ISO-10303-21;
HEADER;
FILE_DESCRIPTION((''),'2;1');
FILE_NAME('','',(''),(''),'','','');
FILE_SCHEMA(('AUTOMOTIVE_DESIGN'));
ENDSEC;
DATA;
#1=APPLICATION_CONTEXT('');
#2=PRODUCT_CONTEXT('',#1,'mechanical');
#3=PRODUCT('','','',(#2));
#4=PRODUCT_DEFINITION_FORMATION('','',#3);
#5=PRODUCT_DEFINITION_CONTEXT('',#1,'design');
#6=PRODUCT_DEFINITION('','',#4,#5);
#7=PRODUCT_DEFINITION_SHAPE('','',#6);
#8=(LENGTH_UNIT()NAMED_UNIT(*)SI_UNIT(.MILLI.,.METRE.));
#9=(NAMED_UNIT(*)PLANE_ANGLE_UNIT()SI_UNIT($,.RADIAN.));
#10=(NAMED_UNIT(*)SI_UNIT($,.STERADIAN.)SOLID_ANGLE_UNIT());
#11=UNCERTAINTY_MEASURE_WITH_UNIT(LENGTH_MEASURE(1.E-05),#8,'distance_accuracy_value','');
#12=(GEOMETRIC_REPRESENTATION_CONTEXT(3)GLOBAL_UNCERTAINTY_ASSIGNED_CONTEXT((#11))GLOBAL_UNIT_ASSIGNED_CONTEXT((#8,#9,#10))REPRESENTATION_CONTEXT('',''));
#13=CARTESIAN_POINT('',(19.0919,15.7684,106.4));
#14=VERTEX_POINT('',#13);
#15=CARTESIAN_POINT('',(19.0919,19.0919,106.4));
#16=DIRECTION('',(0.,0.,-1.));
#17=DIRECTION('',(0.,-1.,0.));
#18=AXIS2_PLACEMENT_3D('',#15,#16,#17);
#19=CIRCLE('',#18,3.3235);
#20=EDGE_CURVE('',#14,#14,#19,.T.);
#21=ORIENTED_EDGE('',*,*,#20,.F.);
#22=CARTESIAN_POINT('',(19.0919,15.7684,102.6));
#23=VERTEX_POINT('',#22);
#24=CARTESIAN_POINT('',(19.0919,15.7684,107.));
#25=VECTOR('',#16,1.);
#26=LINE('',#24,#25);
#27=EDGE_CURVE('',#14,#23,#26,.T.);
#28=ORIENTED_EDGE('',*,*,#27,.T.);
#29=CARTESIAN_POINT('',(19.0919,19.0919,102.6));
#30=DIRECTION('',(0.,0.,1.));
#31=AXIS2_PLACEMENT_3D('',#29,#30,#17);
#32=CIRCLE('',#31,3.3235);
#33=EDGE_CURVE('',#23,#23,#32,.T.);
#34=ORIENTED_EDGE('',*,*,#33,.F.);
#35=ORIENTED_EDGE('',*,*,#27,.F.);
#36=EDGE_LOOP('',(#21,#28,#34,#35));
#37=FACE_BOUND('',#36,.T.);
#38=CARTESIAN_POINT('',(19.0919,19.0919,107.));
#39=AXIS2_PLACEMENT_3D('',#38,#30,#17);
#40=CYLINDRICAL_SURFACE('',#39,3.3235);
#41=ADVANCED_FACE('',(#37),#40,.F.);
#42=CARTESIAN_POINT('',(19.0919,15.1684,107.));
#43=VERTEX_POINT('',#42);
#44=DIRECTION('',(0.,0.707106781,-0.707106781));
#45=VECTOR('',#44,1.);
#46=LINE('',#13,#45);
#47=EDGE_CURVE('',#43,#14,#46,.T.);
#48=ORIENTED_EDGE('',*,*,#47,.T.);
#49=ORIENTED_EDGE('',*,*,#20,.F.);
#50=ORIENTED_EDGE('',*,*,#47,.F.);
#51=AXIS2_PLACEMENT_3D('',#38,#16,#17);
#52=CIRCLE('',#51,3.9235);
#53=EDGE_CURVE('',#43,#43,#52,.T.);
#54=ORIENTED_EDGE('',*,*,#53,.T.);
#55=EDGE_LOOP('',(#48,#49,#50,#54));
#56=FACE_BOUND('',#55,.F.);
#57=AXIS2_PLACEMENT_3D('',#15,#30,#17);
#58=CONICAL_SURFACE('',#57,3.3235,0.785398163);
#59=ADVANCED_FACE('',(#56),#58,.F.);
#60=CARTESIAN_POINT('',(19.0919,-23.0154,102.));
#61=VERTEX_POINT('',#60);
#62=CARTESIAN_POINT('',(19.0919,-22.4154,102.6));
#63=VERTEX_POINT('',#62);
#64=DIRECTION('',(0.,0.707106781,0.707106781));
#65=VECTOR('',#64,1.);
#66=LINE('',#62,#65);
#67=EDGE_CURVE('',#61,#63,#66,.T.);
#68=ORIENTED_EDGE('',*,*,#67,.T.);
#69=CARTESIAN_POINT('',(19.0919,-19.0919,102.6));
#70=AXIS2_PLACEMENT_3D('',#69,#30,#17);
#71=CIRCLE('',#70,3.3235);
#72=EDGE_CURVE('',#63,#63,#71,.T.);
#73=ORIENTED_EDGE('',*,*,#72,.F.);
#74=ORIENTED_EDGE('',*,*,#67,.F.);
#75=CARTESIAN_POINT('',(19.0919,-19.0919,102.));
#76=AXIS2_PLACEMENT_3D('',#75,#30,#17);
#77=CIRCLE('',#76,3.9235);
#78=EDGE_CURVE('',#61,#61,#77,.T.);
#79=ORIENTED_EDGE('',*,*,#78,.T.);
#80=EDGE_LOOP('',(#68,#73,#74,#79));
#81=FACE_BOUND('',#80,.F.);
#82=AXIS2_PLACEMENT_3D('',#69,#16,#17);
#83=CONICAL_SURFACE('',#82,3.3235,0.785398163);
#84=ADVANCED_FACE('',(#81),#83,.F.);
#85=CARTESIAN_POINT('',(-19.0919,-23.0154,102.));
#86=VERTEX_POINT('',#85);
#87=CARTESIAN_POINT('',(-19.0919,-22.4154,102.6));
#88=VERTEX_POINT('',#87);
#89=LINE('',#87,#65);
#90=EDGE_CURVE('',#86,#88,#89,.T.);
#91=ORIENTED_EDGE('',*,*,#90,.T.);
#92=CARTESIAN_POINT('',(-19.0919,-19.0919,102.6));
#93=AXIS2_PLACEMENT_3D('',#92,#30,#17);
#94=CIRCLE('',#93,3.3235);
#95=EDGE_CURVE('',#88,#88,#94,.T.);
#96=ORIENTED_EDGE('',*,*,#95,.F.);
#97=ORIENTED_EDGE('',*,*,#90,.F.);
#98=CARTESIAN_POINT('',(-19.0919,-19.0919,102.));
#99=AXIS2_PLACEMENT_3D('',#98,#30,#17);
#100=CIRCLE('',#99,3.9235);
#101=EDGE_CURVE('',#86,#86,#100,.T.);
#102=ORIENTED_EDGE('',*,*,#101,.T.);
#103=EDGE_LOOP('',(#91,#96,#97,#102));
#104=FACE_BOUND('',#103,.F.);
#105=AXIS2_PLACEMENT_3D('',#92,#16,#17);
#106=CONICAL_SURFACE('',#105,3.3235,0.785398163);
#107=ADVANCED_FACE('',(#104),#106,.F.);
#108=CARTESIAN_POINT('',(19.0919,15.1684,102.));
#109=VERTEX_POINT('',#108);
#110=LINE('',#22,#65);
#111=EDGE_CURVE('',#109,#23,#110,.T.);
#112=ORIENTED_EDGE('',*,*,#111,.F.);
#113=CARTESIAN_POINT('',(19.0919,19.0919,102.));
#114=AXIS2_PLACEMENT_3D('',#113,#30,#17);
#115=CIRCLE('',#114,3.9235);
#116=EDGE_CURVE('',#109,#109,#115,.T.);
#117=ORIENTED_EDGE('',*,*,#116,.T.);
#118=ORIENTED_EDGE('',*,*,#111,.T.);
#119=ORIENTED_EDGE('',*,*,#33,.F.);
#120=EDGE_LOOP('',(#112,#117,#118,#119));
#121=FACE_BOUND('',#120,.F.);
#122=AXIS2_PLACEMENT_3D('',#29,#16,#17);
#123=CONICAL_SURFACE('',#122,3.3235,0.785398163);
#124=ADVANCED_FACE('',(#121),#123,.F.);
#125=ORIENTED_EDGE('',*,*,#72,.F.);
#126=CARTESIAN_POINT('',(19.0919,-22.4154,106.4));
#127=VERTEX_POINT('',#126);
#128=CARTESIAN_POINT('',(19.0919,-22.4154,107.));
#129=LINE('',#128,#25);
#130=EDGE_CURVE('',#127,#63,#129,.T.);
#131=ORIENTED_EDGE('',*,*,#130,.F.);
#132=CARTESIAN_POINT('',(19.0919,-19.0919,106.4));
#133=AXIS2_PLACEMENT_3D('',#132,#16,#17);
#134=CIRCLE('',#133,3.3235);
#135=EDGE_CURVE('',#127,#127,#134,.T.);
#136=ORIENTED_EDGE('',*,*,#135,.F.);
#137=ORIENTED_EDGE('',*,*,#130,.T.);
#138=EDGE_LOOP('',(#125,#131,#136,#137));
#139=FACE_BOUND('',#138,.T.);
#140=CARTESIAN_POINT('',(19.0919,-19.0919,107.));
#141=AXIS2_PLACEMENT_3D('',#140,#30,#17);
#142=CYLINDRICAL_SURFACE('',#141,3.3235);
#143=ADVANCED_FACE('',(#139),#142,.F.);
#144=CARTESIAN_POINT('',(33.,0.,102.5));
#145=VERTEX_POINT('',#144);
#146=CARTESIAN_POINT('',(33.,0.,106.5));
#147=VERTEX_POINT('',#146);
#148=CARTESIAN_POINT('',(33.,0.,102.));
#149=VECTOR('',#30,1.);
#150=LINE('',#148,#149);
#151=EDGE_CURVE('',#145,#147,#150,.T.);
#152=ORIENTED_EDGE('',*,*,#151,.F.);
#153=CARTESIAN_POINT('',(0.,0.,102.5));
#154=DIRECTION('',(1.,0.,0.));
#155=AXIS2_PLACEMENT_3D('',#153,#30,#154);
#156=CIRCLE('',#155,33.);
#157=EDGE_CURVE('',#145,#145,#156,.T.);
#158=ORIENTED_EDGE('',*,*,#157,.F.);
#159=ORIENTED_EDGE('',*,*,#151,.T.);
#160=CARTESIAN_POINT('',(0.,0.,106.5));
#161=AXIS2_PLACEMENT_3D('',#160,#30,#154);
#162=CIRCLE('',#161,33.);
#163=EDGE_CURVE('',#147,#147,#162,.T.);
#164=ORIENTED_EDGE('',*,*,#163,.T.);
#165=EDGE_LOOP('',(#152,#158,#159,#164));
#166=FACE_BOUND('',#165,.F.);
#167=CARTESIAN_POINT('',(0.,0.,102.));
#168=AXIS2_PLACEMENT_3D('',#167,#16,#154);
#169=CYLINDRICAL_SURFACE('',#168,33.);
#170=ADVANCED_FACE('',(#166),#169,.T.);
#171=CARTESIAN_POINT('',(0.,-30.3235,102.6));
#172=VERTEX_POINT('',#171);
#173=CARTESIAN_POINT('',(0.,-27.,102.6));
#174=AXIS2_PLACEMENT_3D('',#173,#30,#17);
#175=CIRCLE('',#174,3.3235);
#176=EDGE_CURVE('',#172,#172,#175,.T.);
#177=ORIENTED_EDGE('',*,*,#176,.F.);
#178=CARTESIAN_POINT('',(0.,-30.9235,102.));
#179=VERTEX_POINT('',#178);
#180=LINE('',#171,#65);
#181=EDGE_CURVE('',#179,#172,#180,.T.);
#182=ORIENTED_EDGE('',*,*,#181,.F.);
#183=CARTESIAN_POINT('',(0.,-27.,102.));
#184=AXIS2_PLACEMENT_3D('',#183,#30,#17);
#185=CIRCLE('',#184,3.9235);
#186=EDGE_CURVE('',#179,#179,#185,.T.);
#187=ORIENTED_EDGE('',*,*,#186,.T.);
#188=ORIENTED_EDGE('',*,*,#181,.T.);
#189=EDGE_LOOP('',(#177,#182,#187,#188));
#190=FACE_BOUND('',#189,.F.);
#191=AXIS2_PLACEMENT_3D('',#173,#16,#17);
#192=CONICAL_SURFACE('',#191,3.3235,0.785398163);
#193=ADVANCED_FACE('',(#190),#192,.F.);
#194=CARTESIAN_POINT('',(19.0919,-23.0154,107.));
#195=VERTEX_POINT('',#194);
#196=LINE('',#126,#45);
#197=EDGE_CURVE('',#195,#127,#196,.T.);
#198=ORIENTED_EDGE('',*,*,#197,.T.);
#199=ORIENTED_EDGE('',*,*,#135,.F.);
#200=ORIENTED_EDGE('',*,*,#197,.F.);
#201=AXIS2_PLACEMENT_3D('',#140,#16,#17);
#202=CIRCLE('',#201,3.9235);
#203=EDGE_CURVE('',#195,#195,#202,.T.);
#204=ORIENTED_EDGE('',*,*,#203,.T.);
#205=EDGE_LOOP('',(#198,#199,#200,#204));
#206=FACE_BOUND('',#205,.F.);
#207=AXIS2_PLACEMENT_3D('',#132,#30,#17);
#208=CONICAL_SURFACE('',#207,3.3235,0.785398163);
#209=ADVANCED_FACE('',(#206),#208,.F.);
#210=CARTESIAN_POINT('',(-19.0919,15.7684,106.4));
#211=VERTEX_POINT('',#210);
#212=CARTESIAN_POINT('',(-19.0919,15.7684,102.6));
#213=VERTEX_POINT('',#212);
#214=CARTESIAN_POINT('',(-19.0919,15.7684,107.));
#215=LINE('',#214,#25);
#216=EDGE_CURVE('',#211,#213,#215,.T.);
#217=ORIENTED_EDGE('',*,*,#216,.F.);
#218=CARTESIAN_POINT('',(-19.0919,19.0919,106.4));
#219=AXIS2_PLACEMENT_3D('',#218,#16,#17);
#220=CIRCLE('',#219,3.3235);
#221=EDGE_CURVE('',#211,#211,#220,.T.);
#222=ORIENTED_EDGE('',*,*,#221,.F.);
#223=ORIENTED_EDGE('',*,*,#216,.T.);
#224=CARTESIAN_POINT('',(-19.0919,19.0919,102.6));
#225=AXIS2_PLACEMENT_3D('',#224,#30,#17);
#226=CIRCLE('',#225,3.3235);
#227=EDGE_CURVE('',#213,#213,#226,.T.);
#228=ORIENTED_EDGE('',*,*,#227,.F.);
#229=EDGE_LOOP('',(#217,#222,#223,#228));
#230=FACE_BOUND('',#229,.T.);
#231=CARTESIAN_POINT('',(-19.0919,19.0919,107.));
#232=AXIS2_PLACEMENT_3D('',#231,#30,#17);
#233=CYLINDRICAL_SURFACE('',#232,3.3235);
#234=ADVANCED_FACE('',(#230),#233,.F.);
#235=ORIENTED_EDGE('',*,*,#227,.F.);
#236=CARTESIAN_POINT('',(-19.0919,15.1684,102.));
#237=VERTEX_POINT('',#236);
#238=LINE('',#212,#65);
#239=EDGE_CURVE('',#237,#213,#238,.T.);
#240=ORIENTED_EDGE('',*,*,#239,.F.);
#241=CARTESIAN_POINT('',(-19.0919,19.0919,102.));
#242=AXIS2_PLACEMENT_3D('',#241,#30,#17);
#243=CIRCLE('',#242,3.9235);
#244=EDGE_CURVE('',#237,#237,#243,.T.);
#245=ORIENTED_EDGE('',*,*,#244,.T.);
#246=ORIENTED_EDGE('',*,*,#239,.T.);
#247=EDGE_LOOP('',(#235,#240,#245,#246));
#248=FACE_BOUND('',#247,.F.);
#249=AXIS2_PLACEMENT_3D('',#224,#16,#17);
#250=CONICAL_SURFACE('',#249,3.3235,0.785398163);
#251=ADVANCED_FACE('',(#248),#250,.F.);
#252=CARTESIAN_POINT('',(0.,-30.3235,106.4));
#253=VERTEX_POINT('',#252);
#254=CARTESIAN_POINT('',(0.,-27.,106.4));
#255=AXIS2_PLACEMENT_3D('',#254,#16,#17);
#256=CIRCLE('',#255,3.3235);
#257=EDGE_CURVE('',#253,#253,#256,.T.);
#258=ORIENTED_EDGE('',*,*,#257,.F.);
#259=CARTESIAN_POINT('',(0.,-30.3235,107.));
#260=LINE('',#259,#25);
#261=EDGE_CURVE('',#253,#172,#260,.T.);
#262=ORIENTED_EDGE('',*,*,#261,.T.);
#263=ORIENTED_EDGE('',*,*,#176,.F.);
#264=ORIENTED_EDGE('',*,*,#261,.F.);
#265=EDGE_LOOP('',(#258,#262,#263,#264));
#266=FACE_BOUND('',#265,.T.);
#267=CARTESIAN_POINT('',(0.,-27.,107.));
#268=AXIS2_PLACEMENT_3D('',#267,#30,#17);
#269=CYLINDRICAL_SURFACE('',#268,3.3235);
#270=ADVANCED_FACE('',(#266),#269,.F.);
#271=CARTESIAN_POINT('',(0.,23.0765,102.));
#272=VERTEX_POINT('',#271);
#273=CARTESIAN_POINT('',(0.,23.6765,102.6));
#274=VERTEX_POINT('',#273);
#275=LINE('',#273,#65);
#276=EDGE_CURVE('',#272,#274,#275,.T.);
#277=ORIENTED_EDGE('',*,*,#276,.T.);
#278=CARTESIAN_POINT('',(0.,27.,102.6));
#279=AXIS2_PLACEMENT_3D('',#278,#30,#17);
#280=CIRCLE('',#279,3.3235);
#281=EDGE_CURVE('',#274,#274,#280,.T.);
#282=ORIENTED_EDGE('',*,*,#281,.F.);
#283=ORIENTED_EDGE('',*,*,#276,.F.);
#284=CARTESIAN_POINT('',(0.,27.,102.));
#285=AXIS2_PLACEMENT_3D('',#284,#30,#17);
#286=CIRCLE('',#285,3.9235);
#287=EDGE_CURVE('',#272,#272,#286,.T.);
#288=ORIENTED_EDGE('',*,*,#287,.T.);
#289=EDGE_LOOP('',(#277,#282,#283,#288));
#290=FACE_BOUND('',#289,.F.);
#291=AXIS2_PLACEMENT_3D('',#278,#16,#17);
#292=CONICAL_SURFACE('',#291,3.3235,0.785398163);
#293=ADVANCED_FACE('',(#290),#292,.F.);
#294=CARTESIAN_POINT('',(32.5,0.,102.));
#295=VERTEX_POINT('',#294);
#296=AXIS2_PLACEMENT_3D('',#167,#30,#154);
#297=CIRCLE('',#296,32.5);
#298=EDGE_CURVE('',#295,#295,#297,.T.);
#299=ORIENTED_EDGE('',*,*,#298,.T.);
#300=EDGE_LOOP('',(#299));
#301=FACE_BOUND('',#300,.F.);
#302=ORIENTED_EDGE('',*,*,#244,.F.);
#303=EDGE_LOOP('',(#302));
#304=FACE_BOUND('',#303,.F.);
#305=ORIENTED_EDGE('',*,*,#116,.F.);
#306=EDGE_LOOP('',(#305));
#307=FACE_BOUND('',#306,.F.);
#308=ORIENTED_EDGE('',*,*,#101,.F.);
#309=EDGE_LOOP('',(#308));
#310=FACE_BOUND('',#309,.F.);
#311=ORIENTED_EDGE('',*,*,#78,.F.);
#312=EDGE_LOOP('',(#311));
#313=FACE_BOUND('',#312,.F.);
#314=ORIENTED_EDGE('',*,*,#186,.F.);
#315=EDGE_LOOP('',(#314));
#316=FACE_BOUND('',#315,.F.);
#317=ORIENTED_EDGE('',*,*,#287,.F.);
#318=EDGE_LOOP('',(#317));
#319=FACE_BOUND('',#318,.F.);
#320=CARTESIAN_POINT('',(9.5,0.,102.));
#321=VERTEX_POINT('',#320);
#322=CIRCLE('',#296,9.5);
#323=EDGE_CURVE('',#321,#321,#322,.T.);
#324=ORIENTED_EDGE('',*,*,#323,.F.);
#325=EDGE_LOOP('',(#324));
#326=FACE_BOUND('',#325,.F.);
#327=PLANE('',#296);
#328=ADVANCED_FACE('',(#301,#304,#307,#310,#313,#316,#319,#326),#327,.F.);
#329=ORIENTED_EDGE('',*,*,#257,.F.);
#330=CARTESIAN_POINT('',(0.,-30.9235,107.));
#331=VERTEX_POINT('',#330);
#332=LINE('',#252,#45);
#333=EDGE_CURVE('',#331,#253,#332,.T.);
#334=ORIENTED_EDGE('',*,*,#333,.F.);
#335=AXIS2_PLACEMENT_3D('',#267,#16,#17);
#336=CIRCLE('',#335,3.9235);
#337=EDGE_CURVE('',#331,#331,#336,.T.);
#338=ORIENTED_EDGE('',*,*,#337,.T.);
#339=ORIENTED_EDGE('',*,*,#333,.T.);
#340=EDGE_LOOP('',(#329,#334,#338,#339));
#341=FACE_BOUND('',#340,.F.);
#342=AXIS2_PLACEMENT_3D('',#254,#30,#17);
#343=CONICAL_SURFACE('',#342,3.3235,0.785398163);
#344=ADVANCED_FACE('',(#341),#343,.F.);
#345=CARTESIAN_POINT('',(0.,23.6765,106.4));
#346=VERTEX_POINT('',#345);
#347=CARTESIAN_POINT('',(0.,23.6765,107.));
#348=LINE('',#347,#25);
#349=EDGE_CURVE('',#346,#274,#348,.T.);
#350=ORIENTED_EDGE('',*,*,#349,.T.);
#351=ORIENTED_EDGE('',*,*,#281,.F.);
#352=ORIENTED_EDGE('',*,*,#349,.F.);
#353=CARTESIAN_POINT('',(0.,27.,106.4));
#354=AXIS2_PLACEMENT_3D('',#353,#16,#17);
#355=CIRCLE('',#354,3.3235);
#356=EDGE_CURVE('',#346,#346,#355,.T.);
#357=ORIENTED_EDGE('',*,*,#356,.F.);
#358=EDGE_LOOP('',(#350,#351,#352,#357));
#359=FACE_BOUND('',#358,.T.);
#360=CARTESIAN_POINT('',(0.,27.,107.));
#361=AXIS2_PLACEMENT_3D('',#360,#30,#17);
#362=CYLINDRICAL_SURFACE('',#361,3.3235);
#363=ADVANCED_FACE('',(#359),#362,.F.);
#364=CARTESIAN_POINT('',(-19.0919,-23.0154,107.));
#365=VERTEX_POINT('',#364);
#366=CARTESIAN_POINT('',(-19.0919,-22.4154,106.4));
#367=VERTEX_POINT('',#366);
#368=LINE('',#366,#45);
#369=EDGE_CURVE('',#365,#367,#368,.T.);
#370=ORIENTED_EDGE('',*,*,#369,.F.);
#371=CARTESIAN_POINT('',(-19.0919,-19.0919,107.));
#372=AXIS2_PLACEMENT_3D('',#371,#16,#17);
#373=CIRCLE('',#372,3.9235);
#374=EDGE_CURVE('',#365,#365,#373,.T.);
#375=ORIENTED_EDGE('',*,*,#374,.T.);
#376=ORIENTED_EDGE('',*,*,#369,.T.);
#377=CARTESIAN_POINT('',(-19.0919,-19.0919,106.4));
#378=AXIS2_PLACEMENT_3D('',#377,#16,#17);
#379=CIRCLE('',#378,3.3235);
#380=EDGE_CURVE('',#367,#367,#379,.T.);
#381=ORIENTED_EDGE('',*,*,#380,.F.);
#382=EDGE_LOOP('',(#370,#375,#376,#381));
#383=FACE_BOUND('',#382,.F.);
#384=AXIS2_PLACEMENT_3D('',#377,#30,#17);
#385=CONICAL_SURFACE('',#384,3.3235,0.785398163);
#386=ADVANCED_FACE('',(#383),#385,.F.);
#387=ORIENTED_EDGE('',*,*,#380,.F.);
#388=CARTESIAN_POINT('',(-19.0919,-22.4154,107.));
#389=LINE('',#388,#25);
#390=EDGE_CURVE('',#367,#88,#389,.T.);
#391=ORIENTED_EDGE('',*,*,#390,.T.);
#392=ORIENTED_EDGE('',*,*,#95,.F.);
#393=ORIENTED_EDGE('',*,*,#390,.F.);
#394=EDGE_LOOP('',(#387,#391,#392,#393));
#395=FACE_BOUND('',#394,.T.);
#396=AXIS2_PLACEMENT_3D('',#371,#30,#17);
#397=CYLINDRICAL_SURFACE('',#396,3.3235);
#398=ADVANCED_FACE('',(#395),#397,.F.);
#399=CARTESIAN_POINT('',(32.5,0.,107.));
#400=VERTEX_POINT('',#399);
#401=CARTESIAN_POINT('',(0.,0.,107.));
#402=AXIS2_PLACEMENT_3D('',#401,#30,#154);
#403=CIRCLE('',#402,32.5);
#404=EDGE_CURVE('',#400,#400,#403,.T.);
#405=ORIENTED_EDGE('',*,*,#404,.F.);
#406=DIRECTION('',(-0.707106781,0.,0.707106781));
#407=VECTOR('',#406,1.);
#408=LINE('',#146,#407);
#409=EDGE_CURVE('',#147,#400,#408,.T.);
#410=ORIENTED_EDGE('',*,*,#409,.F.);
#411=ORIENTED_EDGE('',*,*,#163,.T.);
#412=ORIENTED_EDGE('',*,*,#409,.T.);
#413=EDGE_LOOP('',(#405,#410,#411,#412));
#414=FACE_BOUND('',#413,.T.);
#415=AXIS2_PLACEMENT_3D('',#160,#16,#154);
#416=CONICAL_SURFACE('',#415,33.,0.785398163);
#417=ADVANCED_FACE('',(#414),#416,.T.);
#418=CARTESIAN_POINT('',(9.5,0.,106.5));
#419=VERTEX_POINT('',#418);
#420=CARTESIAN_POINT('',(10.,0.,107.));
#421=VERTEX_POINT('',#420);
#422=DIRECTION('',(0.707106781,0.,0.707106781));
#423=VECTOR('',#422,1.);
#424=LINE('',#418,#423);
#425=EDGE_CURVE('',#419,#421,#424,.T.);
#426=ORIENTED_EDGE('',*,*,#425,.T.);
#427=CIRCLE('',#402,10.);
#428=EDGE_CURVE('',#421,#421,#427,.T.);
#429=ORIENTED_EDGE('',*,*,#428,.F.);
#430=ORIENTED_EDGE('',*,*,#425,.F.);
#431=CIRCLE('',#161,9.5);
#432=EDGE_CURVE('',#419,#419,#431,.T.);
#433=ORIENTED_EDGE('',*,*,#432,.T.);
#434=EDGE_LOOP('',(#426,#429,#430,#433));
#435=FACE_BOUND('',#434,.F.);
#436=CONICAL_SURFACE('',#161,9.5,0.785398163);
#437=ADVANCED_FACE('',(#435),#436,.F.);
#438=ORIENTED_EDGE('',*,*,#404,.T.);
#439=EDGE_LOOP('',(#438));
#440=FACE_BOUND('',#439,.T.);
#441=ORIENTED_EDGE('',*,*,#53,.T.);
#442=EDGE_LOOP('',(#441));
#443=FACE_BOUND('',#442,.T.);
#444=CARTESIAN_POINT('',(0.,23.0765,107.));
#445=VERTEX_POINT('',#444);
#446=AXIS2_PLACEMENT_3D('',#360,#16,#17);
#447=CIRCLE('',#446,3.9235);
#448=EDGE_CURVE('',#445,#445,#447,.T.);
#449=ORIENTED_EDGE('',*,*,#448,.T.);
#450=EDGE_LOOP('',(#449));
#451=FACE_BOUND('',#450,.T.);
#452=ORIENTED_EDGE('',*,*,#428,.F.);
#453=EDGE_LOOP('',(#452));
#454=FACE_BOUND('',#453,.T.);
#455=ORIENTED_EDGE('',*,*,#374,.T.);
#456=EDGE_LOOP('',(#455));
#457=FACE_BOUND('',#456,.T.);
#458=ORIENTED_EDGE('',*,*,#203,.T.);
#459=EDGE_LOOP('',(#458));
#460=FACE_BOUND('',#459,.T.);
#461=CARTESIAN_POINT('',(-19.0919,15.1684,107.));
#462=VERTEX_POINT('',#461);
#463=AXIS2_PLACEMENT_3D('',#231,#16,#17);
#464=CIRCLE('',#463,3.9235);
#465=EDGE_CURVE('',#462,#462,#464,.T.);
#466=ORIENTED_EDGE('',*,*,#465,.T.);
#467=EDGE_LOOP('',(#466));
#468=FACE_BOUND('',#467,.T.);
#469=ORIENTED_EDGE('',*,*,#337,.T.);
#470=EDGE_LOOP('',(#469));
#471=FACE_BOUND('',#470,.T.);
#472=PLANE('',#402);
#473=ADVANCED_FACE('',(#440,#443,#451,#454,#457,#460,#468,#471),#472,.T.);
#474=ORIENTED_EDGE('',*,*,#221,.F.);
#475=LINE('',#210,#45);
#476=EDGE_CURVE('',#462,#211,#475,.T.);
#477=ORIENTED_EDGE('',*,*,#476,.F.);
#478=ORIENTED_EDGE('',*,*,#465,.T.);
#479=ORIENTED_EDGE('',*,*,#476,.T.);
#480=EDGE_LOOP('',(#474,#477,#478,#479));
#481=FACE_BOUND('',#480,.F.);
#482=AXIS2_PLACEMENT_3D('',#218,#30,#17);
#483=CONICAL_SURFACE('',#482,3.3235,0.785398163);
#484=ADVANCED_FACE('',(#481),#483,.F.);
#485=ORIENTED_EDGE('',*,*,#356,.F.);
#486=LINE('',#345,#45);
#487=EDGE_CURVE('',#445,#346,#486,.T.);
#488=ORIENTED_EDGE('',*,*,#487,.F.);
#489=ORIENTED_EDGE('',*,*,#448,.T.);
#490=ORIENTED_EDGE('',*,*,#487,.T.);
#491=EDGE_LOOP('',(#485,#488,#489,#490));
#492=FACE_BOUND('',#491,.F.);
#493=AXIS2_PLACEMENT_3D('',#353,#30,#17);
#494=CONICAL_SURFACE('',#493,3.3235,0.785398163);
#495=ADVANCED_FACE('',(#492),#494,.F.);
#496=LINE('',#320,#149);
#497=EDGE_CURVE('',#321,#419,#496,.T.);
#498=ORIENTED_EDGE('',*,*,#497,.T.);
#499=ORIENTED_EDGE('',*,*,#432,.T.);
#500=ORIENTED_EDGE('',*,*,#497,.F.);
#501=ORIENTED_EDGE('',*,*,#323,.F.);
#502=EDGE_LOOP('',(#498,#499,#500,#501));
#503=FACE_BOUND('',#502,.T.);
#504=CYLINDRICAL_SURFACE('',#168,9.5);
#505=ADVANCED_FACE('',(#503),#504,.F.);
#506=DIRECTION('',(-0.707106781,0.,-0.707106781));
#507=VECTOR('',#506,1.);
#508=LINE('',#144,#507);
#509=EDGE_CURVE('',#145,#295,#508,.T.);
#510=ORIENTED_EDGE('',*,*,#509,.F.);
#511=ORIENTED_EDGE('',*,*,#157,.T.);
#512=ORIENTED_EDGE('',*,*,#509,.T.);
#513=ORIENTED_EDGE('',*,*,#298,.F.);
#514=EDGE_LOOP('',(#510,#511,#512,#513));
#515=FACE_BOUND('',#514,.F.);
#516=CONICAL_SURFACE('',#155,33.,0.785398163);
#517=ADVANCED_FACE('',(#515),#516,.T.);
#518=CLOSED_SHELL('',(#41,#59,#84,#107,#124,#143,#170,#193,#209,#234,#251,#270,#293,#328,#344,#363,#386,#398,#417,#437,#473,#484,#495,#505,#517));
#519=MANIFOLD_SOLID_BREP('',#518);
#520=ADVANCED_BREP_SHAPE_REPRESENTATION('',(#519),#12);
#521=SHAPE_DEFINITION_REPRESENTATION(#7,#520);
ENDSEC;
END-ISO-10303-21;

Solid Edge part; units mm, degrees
sketch "Sketch1" plane through (0, 0, 102) normal (0, 0, 1) x (1, 0, 0)
  circle A0 centre (0, 0) radius 33
  circle A1 centre (0, 0) radius 9.5
extrude "Protrusion1" add sketch "Sketch1" along normal blind 5
chamfer "Faza_1" distance 0.5 angle 45 3 edges at (-9.5, 0, 107) (-33, 0, 107) (-33, 0, 102)
hole "Otwór_1" at (-19.0919, 19.0919, 107) direction (0, 0, -1) diameter 6.647 end up to next start chamfer 0.6 start chamfer angle 45 end chamfer 0.6 end chamfer angle 45
hole "Hole1" at (0, 27, 107) direction (0, 0, -1) diameter 6.647 end up to next start chamfer 0.6 start chamfer angle 45 end chamfer 0.6 end chamfer angle 45
hole "Hole2" at (19.0919, 19.0919, 107) direction (0, 0, -1) diameter 6.647 end up to next start chamfer 0.6 start chamfer angle 45 end chamfer 0.6 end chamfer angle 45
hole "Hole3" at (19.0919, -19.0919, 107) direction (0, 0, -1) diameter 6.647 end up to next start chamfer 0.6 start chamfer angle 45 end chamfer 0.6 end chamfer angle 45
hole "Hole4" at (0, -27, 107) direction (0, 0, -1) diameter 6.647 end up to next start chamfer 0.6 start chamfer angle 45 end chamfer 0.6 end chamfer angle 45
hole "Hole5" at (-19.0919, -19.0919, 107) direction (0, 0, -1) diameter 6.647 end up to next start chamfer 0.6 start chamfer angle 45 end chamfer 0.6 end chamfer angle 45
